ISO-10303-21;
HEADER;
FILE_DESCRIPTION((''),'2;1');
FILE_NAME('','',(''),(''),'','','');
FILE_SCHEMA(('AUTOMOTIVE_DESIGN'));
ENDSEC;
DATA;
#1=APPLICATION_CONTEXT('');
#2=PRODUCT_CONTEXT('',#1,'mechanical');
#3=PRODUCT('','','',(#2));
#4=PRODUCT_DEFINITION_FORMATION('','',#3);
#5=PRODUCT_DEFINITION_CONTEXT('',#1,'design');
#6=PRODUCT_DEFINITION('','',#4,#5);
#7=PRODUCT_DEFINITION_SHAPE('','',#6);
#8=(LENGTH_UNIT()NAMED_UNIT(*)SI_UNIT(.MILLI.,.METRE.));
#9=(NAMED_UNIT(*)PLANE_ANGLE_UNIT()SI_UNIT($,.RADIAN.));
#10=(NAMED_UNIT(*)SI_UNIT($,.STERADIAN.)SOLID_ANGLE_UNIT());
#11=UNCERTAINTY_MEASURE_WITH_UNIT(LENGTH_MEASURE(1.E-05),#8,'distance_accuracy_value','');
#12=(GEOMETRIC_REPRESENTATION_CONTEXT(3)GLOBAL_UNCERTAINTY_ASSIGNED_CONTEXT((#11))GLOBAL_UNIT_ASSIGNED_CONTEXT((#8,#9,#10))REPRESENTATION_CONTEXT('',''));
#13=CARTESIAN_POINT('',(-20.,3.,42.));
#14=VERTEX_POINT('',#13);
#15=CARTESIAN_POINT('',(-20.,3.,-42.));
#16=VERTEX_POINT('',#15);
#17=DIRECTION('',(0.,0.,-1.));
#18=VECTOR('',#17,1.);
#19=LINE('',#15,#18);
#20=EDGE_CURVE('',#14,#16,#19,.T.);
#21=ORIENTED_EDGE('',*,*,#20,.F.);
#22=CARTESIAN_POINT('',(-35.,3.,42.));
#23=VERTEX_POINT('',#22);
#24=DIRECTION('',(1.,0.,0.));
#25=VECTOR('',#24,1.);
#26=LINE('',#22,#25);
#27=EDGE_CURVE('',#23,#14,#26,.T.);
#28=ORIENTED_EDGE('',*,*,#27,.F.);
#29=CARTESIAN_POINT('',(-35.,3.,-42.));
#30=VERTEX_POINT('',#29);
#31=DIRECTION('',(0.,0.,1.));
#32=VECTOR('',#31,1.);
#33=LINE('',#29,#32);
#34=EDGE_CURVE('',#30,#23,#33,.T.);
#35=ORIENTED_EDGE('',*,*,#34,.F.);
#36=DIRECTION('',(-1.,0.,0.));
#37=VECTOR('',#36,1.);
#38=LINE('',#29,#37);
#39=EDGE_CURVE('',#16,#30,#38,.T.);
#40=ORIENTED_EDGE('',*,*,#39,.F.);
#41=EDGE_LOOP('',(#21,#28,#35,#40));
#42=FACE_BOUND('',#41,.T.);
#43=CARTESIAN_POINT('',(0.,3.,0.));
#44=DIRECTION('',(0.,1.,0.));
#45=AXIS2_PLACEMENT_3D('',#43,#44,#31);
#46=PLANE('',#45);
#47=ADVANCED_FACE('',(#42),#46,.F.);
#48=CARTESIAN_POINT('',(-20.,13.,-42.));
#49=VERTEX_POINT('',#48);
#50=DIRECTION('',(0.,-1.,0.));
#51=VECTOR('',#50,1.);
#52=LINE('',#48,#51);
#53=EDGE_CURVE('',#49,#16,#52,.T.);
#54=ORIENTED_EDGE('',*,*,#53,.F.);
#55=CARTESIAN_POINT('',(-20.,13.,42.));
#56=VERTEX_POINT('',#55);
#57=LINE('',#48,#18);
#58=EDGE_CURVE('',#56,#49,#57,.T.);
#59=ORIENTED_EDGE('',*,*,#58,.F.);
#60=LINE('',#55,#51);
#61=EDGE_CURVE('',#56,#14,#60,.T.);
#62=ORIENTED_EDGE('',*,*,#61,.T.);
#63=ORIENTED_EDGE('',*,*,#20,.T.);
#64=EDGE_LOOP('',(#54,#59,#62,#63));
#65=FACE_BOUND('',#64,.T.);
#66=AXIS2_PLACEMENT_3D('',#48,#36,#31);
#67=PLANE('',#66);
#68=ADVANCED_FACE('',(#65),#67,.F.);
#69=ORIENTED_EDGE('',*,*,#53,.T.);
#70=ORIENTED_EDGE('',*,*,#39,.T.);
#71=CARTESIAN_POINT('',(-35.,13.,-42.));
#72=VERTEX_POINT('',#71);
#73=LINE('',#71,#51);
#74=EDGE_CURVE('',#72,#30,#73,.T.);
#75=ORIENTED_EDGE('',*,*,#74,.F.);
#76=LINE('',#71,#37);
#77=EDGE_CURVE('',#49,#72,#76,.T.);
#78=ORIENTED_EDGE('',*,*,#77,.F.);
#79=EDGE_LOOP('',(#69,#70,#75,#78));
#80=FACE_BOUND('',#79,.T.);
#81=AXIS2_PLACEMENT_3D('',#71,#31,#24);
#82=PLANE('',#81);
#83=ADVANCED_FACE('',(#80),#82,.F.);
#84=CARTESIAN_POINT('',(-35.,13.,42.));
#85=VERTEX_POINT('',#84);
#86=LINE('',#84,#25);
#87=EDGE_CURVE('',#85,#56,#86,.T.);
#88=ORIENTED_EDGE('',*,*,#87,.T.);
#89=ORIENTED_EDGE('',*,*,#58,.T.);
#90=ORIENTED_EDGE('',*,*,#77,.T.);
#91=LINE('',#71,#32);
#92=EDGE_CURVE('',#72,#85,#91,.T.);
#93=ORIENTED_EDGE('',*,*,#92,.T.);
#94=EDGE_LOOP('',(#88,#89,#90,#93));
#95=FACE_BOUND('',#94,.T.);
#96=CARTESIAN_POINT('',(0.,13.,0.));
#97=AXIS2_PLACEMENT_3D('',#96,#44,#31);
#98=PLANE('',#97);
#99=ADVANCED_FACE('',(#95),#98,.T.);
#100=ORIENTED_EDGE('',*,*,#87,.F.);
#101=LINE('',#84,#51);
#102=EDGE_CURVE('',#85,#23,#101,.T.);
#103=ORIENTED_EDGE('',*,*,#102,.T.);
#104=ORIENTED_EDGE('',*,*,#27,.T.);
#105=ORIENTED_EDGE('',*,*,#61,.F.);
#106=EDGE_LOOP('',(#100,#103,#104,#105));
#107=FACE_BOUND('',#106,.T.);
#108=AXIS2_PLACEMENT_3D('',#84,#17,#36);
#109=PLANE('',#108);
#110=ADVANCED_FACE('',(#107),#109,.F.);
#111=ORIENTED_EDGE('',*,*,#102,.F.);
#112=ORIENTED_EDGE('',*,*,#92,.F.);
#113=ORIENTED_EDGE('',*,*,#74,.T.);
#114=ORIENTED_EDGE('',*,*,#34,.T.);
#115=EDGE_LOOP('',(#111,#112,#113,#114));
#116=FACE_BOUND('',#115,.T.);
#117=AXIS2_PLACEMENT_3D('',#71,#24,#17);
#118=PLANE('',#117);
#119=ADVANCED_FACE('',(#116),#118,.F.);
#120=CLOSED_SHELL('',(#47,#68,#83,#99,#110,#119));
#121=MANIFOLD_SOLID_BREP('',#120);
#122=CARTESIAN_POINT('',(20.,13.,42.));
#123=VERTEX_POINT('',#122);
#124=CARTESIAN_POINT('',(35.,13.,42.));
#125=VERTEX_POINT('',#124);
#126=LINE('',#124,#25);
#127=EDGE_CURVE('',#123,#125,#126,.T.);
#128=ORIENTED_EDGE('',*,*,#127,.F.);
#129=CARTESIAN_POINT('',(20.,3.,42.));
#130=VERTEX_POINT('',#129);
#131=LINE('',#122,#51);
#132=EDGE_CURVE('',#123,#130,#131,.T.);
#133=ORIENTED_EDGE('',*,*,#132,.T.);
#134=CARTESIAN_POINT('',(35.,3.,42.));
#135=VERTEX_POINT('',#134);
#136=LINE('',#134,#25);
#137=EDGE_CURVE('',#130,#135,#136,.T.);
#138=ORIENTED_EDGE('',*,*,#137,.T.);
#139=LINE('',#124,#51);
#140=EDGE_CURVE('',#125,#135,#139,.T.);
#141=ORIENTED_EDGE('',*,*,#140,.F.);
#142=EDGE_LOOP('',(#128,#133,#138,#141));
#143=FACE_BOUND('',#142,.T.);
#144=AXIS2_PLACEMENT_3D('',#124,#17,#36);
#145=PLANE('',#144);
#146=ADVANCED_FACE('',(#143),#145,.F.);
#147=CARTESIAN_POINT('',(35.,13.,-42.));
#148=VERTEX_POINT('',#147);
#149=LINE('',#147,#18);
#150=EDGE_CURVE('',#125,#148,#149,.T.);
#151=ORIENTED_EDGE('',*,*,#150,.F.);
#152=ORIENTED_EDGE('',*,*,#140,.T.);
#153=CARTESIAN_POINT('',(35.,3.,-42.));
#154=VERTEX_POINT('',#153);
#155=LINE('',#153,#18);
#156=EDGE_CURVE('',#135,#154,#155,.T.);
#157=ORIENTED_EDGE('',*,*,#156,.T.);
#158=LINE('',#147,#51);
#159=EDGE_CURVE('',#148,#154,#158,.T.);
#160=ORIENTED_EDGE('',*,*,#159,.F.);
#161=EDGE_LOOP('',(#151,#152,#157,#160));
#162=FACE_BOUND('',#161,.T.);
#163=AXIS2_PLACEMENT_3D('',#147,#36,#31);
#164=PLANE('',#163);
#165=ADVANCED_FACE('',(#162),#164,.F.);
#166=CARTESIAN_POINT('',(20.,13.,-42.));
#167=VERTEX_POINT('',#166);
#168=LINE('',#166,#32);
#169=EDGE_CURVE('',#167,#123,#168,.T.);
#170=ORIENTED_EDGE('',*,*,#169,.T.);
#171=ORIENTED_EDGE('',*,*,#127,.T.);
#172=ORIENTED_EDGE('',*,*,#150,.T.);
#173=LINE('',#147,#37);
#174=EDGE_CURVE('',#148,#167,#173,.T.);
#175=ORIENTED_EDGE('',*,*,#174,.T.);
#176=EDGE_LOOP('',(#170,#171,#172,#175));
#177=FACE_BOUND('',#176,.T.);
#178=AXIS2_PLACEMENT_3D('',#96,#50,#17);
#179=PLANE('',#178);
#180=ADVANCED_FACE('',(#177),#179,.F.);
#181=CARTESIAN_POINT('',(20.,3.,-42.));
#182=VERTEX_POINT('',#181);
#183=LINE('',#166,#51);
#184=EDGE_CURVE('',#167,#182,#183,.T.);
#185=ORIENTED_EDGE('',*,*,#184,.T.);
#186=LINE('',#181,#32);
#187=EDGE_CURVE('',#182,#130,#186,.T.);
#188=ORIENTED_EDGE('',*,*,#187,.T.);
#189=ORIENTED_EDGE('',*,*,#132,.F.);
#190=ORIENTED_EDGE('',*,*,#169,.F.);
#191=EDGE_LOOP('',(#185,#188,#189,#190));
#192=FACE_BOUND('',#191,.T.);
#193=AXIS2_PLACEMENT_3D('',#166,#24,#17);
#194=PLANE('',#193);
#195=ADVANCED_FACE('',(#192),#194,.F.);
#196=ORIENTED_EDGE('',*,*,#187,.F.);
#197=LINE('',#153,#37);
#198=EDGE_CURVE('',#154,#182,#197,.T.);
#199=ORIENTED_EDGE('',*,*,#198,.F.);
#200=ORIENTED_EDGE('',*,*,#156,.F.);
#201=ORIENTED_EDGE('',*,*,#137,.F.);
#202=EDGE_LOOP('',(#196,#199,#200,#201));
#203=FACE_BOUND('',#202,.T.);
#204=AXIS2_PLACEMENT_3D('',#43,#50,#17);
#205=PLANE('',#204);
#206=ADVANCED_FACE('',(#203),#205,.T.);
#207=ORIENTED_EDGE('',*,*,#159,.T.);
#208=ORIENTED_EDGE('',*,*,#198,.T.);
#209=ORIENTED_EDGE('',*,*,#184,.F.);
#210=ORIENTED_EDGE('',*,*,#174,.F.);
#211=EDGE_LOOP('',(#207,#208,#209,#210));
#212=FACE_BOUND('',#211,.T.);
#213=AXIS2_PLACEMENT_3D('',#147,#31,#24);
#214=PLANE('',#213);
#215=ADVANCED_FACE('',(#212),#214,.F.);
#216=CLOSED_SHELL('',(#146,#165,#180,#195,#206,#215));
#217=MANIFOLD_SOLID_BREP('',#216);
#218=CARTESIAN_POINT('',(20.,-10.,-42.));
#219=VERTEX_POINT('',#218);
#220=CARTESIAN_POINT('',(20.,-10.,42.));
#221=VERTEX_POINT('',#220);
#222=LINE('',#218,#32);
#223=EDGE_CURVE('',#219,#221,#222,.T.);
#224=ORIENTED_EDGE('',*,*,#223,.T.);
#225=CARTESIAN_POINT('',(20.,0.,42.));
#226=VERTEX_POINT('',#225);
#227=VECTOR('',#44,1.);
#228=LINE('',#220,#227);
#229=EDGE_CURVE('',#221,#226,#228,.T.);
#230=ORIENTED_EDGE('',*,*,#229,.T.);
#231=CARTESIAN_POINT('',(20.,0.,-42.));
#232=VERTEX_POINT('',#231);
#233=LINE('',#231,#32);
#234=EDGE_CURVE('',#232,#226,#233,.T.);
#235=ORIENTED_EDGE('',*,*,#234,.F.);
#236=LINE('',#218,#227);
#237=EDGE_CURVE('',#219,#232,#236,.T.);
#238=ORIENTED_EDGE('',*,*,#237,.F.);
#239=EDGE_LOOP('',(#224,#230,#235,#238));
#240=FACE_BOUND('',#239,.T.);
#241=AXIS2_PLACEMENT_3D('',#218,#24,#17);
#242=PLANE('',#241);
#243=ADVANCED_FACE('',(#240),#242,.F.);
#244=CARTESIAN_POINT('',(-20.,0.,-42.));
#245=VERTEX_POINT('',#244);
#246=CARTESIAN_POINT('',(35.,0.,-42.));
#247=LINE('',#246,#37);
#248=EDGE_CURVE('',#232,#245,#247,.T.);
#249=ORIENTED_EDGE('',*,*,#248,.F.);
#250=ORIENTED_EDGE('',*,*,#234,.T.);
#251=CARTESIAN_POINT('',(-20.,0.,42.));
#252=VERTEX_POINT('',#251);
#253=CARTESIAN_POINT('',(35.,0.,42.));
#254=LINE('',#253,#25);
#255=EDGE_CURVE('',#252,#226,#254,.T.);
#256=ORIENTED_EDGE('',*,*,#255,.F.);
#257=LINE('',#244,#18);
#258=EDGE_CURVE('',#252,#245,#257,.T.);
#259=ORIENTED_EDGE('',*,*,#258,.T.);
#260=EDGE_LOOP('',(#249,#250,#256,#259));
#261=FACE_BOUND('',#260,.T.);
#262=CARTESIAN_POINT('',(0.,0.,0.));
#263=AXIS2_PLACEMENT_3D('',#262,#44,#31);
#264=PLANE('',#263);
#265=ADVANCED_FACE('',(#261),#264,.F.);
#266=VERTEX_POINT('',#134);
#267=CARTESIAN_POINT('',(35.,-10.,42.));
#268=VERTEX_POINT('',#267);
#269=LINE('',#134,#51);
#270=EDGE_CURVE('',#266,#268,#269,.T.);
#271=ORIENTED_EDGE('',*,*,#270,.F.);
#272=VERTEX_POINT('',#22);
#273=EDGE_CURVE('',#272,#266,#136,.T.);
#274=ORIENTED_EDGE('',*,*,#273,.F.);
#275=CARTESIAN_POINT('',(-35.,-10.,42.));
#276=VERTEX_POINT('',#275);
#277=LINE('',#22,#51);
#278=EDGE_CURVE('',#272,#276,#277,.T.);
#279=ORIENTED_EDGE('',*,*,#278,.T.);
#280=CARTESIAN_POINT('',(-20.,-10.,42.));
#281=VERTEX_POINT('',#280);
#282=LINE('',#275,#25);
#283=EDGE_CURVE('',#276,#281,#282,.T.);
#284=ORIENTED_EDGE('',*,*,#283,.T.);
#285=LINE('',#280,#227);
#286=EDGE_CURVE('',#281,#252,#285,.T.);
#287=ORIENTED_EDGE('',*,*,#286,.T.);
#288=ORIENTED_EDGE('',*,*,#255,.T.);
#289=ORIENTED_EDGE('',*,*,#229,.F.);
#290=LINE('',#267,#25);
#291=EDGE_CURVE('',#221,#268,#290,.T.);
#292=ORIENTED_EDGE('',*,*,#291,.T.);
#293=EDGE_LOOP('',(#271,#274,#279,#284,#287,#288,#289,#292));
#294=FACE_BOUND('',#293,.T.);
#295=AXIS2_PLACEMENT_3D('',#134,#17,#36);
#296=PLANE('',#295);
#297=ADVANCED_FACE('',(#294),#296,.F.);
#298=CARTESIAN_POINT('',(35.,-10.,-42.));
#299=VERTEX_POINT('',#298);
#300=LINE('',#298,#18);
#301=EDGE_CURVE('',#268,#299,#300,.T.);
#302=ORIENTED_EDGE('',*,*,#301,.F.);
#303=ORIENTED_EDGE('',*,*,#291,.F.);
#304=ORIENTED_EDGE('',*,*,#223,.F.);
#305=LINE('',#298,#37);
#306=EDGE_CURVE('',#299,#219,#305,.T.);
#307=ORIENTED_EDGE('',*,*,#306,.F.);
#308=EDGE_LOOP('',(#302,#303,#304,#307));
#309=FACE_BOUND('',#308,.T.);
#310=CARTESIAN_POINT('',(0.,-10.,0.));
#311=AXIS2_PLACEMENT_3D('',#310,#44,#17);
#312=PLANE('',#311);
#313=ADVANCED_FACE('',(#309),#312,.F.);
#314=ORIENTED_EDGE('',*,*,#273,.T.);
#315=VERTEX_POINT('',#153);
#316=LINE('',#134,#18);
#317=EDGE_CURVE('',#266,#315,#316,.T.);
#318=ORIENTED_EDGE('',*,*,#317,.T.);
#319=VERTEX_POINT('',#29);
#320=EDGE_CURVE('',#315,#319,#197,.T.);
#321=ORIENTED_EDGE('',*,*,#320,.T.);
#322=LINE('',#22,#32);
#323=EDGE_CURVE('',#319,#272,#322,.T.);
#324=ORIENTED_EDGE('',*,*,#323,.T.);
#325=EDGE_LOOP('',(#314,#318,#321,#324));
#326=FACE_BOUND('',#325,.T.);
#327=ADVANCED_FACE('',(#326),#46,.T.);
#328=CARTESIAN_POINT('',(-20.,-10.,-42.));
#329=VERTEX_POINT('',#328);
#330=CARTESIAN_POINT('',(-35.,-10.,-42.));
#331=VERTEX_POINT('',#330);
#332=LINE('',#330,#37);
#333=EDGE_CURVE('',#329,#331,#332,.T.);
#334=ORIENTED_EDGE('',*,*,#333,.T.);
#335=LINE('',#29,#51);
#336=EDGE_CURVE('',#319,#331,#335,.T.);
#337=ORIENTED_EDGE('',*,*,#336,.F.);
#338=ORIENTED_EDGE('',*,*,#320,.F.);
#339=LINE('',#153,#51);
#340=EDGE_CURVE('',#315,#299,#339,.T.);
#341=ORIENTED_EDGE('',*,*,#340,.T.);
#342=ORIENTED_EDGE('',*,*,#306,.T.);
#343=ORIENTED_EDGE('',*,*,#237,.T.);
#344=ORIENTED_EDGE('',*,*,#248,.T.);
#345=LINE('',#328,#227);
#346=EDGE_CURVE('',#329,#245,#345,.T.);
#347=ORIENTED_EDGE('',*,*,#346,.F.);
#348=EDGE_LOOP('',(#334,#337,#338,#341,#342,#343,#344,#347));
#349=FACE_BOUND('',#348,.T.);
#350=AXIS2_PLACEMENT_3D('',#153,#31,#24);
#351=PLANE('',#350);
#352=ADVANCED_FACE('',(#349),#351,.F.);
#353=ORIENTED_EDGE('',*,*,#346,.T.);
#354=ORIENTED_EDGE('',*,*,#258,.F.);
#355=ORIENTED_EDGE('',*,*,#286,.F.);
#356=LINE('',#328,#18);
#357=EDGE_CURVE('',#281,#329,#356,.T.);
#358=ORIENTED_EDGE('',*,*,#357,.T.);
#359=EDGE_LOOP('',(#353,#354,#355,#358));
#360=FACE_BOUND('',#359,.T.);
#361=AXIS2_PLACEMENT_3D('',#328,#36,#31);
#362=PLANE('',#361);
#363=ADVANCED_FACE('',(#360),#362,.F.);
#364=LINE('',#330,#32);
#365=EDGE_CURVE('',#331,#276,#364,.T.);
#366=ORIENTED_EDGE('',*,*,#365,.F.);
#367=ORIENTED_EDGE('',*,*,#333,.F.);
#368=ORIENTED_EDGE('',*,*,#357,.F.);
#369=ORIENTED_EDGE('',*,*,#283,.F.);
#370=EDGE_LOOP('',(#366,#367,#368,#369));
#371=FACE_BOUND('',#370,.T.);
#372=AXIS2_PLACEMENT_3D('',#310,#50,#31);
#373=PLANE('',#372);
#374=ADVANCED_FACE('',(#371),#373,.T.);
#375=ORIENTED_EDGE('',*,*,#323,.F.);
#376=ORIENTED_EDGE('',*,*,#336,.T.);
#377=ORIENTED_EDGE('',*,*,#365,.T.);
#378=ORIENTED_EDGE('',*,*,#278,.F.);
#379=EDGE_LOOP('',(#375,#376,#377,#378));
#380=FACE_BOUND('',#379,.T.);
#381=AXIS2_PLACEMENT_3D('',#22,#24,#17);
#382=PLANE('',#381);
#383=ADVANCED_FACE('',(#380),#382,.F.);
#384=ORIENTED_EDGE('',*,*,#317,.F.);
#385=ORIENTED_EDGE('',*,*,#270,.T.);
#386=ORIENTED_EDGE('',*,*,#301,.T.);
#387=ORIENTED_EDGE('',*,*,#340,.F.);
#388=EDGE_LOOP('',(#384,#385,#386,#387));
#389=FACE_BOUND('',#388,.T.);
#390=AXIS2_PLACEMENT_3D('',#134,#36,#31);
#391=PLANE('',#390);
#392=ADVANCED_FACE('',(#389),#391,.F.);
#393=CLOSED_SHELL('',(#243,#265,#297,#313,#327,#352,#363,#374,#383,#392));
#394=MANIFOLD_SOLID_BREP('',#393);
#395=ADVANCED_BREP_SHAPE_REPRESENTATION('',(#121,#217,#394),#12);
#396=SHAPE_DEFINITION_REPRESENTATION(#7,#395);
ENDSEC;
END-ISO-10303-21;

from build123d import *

# Parameters (mm, degrees)
SKETCH1_W             = 70
SKETCH1_H             = 84
BOSS_EXTRUDE1_DEPTH   = 3
SKETCH2_W             = 15
SKETCH2_H             = 84
BOSS_EXTRUDE2_DEPTH   = 10
BOSS_EXTRUDE2_2_DEPTH = 10


with BuildPart() as part:
    # Sketch1 → Boss-Extrude1 (new body)
    with BuildSketch(Plane(origin=(0, 0, 0), x_dir=(1, 0, 0), z_dir=(0, 1, 0))):
        Rectangle(SKETCH1_W, SKETCH1_H)
    extrude(amount=BOSS_EXTRUDE1_DEPTH)


with BuildPart() as body_2:
    # Sketch2 → Boss-Extrude2 (new body)
    with BuildSketch(Plane(origin=(0, 3, 0), x_dir=(1, 0, 0), z_dir=(0, 1, 0))):
        with Locations((-27.5, 0)):
            Rectangle(SKETCH2_W, SKETCH2_H)
    boss_extrude2 = extrude(amount=BOSS_EXTRUDE2_DEPTH)


with BuildPart() as body_3:
    # Sketch2 → Boss-Extrude2 2 (new body)
    with BuildSketch(Plane(origin=(0, 3, 0), x_dir=(1, 0, 0), z_dir=(0, 1, 0))):
        with Locations((27.5, 0)):
            Rectangle(SKETCH2_W, SKETCH2_H)
    boss_extrude2_2 = extrude(amount=BOSS_EXTRUDE2_2_DEPTH)


with BuildPart() as part_1:
    add(part.part)

    # Mirror3: Boss-Extrude2, Boss-Extrude2 2 across plane
    add(boss_extrude2.mirror(Plane(origin=(0, 1.5, 0), x_dir=(0, 0, 1), z_dir=(0, -1, 0))))
    add(boss_extrude2_2.mirror(Plane(origin=(0, 1.5, 0), x_dir=(0, 0, 1), z_dir=(0, -1, 0))))


solid = Compound([body_2.part, body_3.part, part_1.part])
